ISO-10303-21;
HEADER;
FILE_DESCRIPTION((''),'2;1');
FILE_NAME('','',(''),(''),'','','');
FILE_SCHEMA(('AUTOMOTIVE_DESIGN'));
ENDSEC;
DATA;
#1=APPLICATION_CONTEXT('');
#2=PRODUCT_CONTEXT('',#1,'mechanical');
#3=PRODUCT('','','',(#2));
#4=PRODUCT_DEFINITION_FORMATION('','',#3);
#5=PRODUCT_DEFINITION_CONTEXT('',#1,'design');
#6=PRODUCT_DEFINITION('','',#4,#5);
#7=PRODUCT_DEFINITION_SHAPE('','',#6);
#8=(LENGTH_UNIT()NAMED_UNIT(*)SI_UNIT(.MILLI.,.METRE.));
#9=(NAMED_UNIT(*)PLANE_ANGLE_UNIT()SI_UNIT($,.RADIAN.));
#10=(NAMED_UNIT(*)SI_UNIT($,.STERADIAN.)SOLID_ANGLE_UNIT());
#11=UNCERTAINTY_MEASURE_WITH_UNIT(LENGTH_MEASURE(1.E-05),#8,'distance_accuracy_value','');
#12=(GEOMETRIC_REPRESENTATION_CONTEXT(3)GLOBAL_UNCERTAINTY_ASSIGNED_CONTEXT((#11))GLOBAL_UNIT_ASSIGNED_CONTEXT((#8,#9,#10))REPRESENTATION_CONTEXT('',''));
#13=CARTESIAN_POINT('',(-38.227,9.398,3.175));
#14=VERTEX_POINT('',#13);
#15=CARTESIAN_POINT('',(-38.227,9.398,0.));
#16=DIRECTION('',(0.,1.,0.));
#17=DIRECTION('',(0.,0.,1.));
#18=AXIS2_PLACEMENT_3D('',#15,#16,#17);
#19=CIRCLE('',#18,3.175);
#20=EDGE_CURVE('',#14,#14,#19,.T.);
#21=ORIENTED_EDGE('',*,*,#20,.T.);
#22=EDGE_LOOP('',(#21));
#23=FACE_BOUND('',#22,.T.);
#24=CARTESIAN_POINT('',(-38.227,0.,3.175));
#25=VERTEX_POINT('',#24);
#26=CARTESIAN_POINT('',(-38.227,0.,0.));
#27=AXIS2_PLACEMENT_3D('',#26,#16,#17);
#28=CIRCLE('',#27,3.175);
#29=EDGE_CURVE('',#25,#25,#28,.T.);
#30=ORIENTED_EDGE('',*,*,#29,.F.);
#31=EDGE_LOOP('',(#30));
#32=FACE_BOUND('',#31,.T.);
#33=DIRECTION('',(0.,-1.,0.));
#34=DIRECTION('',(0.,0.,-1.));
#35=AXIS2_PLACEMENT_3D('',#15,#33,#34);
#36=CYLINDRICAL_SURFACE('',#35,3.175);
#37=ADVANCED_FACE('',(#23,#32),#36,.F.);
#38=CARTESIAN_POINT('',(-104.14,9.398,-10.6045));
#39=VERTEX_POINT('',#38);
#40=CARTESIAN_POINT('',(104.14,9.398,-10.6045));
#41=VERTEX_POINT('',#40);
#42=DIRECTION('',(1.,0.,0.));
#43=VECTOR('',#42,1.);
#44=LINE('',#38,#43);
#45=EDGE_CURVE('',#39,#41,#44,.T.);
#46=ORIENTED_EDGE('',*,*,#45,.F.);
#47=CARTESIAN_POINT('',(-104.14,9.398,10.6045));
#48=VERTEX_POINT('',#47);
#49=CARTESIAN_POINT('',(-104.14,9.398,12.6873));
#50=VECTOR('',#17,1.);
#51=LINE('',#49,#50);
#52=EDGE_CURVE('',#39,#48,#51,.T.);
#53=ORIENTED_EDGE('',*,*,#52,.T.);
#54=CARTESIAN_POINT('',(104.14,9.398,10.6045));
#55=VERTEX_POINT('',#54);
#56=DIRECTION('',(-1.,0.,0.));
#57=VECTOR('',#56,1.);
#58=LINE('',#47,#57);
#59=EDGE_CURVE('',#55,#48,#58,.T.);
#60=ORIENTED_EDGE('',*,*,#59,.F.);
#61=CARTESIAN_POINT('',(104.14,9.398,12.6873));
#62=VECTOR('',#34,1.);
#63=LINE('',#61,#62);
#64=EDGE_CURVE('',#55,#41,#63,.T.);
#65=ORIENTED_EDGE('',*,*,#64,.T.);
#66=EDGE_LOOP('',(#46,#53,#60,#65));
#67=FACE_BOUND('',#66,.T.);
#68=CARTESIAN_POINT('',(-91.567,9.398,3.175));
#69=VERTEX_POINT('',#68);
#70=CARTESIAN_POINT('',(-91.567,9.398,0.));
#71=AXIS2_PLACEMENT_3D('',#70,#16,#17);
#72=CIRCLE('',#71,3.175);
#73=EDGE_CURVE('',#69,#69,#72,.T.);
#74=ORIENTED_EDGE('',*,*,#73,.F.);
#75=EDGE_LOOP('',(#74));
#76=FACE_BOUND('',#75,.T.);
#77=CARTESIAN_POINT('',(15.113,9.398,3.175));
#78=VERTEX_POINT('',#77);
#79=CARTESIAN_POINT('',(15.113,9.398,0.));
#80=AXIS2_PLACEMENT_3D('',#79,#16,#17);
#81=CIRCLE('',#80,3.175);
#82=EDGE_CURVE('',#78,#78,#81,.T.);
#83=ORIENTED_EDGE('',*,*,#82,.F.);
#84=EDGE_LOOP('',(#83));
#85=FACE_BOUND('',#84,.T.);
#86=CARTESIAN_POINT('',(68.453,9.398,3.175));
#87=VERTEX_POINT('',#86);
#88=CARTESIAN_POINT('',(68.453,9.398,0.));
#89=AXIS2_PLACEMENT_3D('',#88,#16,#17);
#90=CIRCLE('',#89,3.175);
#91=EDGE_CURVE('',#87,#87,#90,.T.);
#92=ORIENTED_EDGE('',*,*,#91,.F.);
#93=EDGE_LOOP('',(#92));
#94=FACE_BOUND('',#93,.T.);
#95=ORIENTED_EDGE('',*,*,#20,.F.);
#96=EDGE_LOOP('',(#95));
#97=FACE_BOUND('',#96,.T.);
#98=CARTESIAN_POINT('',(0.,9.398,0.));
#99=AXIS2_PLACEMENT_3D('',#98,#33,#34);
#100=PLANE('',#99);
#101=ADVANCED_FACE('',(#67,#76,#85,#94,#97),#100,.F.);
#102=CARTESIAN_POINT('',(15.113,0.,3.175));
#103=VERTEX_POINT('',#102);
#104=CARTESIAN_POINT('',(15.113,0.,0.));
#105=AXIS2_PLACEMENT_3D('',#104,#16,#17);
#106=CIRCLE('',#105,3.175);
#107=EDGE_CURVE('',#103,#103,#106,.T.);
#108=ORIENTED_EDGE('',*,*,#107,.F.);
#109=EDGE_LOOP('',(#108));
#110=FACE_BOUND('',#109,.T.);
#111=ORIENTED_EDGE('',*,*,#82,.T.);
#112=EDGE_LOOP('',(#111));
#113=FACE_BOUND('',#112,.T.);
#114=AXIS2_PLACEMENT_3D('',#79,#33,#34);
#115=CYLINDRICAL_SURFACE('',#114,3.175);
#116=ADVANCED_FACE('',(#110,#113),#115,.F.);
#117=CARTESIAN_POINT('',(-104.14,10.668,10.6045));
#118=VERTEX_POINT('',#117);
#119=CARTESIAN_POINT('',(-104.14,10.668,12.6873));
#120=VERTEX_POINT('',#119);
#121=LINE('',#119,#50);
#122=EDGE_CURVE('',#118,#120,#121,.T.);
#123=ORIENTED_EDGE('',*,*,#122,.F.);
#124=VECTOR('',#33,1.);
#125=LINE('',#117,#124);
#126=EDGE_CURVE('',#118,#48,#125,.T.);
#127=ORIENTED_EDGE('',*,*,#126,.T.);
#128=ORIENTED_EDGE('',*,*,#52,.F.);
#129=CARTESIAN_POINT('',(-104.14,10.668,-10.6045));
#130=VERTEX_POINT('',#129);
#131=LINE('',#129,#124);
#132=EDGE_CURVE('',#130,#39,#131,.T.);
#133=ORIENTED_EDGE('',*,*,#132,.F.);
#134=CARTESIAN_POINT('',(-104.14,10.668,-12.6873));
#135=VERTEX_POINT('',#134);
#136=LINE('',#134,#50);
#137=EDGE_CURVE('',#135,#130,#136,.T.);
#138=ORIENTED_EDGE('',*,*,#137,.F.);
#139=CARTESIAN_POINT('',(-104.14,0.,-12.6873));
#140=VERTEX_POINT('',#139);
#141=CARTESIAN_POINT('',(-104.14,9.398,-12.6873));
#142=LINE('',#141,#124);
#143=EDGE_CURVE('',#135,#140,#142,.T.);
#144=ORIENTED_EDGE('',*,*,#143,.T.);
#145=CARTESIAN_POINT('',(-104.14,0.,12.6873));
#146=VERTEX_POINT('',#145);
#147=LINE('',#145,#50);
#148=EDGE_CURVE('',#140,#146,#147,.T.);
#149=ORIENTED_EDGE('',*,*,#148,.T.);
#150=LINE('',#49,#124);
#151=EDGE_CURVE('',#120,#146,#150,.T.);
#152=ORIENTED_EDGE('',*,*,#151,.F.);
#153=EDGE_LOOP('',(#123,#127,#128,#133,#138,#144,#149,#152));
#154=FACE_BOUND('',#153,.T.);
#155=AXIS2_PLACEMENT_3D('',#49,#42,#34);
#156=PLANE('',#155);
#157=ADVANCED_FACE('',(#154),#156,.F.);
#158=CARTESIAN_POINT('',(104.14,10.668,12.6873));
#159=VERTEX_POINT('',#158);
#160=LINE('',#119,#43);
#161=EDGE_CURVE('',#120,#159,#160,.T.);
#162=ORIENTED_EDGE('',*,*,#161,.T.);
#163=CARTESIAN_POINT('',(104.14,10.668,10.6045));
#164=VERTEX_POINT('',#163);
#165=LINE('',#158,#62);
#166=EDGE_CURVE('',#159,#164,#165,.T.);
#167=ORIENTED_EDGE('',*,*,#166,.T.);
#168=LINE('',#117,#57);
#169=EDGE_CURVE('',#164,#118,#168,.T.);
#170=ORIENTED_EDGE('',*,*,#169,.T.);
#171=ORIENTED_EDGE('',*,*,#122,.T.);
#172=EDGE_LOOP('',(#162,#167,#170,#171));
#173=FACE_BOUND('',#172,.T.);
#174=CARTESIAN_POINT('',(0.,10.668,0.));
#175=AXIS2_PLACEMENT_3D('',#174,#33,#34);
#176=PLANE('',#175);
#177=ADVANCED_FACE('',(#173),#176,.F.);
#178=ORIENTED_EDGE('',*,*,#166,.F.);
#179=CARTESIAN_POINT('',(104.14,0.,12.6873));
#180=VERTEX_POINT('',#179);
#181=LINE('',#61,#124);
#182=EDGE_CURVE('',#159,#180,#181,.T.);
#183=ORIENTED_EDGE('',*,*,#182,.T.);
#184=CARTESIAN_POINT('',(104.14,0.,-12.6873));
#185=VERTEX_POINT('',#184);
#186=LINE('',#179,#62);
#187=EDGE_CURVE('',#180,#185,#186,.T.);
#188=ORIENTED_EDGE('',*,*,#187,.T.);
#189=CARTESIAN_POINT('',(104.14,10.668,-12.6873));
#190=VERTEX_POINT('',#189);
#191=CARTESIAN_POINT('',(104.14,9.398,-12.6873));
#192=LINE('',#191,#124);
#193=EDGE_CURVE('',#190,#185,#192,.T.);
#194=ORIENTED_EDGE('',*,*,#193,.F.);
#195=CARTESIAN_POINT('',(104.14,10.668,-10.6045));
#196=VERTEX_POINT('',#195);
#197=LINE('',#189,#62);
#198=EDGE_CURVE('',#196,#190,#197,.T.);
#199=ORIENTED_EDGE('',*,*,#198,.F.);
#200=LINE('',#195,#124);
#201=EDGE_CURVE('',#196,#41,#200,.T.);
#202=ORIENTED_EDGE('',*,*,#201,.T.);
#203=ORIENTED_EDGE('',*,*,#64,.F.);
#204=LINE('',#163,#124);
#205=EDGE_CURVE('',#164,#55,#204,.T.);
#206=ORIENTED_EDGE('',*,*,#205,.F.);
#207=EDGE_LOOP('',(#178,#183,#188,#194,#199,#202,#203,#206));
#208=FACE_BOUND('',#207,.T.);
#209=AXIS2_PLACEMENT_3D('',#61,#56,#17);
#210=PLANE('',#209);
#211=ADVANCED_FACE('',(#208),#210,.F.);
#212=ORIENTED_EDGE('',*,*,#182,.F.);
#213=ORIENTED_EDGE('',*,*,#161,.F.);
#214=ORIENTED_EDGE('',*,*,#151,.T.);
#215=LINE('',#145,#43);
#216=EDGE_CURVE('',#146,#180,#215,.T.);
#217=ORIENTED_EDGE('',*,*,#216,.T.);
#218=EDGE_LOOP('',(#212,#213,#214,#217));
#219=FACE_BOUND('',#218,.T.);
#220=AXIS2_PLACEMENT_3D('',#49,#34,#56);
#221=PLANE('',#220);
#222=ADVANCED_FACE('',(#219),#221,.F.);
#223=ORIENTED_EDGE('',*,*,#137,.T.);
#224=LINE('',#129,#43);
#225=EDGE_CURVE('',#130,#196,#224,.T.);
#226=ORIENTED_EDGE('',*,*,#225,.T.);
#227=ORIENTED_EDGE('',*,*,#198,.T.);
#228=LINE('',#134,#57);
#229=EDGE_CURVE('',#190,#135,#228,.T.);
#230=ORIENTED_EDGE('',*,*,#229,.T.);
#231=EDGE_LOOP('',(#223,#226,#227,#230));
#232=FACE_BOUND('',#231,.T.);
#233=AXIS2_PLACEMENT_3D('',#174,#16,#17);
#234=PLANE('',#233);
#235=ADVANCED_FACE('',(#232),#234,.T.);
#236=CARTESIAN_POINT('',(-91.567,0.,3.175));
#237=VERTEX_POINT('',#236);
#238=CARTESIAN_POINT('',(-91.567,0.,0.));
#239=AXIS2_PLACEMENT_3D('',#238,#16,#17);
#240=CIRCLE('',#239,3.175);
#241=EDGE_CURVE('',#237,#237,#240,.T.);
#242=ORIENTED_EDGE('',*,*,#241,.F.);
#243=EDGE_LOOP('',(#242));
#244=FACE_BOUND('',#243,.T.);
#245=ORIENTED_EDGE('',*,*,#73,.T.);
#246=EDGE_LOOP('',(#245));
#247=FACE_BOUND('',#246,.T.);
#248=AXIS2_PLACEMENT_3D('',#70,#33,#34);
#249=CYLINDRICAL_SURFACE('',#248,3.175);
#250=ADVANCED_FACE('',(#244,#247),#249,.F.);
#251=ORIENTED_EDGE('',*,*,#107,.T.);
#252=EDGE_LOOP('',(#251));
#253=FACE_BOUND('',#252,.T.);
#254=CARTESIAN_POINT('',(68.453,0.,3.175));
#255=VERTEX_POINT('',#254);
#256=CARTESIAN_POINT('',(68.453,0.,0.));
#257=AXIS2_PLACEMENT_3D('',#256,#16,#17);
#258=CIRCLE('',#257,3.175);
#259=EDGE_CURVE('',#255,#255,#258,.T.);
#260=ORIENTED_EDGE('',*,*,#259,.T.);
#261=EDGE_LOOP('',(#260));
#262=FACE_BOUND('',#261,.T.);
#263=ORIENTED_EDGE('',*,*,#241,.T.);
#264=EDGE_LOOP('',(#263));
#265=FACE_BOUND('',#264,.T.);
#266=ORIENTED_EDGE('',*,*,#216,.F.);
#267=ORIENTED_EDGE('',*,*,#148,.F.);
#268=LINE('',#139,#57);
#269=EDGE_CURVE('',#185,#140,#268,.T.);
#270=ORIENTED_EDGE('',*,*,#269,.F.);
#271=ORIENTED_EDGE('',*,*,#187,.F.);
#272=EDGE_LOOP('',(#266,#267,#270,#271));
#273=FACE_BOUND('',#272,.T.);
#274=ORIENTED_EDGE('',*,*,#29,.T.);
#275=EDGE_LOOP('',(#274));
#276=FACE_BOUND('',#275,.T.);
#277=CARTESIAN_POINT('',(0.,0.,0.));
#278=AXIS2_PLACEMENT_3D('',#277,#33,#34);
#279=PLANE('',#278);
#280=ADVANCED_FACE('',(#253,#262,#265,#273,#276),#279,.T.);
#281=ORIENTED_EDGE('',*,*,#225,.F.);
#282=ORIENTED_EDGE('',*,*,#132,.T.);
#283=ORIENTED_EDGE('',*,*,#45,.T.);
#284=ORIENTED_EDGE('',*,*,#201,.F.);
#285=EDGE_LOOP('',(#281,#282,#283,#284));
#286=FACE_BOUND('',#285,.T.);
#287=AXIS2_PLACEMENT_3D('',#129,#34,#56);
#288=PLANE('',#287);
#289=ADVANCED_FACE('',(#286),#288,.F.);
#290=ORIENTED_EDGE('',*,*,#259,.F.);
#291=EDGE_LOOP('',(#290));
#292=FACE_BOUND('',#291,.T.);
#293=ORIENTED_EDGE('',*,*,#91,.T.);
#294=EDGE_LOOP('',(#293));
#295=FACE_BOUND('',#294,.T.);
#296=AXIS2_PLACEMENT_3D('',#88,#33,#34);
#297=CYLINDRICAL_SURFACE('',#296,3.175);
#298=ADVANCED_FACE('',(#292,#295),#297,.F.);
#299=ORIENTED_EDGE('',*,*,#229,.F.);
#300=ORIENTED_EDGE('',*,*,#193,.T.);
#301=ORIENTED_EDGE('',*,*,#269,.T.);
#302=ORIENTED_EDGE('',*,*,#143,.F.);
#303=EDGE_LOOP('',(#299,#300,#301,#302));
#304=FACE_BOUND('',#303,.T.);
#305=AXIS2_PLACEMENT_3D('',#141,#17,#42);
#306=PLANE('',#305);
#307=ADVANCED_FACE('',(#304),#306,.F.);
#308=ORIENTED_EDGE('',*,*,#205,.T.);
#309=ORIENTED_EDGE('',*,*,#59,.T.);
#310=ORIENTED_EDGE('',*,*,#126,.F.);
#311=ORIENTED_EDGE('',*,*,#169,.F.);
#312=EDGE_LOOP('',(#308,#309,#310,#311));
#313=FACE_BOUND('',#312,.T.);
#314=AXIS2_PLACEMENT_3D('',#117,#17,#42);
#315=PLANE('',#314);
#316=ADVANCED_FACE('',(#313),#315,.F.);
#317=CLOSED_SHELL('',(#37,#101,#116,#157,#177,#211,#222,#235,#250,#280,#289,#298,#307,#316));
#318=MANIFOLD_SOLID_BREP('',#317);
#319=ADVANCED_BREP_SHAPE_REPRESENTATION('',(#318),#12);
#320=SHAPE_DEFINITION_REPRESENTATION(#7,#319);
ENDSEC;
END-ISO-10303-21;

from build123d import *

# Parameters (mm, degrees)
SKETCH1_W           = 208.28
SKETCH1_H           = 25.3746
SKETCH1_R           = 3.175
BOSS_EXTRUDE1_DEPTH = 9.398
SKETCH2_W           = 208.28
SKETCH2_H           = 2.0828
BOSS_EXTRUDE2_DEPTH = 1.27


with BuildPart() as part:
    # Sketch1 → Boss-Extrude1 (new body)
    with BuildSketch(Plane(origin=(0, 0, 0), x_dir=(1, 0, 0), z_dir=(0, 1, 0))):
        Rectangle(SKETCH1_W, SKETCH1_H)
        with Locations(Location((-91.567, 0, 0), (0, 0, 270))):
            Circle(SKETCH1_R, mode=Mode.SUBTRACT)
        with Locations(Location((-38.227, 0, 0), (0, 0, 270))):
            Circle(SKETCH1_R, mode=Mode.SUBTRACT)
        with Locations(Location((15.113, 0, 0), (0, 0, 270))):
            Circle(SKETCH1_R, mode=Mode.SUBTRACT)
        with Locations(Location((68.453, 0, 0), (0, 0, 270))):
            Circle(SKETCH1_R, mode=Mode.SUBTRACT)
    extrude(amount=BOSS_EXTRUDE1_DEPTH)

    # Sketch2 → Boss-Extrude2 (add)
    with BuildSketch(Plane(origin=(0, 9.398, 0), x_dir=(1, 0, 0), z_dir=(0, 1, 0))):
        with Locations((0, 11.6459)):
            Rectangle(SKETCH2_W, SKETCH2_H)
        with Locations((0, -11.6459)):
            Rectangle(SKETCH2_W, SKETCH2_H)
    extrude(amount=BOSS_EXTRUDE2_DEPTH)


solid = part.part
